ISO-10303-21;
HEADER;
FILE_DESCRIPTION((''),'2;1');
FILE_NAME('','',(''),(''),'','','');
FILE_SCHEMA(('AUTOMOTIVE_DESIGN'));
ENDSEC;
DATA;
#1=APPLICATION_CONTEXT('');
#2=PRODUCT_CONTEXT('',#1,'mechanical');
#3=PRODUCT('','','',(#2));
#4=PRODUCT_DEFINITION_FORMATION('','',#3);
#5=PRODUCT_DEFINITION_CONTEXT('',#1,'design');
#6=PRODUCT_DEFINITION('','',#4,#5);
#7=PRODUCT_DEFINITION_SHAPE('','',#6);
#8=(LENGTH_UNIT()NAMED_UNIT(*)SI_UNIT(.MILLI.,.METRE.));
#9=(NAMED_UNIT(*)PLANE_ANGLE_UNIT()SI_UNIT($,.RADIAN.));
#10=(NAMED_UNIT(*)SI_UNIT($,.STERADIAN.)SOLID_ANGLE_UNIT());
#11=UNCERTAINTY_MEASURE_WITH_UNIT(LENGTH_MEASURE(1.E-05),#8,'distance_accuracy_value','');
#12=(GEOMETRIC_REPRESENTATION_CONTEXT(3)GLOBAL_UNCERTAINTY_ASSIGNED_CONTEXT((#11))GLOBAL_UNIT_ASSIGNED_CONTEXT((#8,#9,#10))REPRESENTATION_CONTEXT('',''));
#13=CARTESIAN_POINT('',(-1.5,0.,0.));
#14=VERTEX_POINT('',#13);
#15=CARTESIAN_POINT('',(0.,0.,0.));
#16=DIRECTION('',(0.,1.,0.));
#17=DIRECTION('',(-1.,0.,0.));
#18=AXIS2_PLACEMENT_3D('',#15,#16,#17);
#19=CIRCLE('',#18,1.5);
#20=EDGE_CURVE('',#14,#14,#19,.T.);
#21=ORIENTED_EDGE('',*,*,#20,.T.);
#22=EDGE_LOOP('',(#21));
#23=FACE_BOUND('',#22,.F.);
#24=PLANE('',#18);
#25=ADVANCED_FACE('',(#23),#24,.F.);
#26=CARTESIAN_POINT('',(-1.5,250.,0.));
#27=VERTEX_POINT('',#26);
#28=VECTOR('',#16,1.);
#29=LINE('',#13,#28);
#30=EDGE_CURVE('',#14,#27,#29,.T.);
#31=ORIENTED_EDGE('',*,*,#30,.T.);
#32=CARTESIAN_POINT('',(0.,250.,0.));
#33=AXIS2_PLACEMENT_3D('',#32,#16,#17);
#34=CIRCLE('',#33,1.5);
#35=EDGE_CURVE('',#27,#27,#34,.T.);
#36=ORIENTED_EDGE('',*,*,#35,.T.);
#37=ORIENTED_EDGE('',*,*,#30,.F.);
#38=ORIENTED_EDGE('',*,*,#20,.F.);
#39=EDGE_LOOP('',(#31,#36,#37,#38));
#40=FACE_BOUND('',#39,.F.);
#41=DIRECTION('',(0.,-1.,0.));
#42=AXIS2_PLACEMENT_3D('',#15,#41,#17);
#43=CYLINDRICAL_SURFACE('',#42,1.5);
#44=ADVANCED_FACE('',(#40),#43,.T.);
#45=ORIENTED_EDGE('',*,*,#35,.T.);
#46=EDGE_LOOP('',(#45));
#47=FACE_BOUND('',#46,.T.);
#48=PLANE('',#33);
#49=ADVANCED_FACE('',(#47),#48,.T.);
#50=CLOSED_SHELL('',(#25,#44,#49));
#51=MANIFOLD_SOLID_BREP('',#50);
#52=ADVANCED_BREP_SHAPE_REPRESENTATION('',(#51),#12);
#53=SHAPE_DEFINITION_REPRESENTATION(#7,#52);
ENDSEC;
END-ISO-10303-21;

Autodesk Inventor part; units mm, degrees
ref_plane "YZ Plane" through (0, 0, 0) normal (1, 0, 0) x (0, 1, 0)
ref_plane "XZ Plane" through (0, 0, 0) normal (0, 1, 0) x (-1, 0, 0)
ref_plane "XY Plane" through (0, 0, 0) normal (0, 0, 1) x (1, 0, 0)
sketch "Esquisse1" plane through (0, 0, 0) normal (0, 1, 0) x (-1, 0, 0)
  circle A0 centre (0, 0) radius 1.5
  dimension "d0" = 3
extrude "Extrusion1" add sketch "Esquisse1" along normal blind 250
properties part number "tige_filte_m3x25"
